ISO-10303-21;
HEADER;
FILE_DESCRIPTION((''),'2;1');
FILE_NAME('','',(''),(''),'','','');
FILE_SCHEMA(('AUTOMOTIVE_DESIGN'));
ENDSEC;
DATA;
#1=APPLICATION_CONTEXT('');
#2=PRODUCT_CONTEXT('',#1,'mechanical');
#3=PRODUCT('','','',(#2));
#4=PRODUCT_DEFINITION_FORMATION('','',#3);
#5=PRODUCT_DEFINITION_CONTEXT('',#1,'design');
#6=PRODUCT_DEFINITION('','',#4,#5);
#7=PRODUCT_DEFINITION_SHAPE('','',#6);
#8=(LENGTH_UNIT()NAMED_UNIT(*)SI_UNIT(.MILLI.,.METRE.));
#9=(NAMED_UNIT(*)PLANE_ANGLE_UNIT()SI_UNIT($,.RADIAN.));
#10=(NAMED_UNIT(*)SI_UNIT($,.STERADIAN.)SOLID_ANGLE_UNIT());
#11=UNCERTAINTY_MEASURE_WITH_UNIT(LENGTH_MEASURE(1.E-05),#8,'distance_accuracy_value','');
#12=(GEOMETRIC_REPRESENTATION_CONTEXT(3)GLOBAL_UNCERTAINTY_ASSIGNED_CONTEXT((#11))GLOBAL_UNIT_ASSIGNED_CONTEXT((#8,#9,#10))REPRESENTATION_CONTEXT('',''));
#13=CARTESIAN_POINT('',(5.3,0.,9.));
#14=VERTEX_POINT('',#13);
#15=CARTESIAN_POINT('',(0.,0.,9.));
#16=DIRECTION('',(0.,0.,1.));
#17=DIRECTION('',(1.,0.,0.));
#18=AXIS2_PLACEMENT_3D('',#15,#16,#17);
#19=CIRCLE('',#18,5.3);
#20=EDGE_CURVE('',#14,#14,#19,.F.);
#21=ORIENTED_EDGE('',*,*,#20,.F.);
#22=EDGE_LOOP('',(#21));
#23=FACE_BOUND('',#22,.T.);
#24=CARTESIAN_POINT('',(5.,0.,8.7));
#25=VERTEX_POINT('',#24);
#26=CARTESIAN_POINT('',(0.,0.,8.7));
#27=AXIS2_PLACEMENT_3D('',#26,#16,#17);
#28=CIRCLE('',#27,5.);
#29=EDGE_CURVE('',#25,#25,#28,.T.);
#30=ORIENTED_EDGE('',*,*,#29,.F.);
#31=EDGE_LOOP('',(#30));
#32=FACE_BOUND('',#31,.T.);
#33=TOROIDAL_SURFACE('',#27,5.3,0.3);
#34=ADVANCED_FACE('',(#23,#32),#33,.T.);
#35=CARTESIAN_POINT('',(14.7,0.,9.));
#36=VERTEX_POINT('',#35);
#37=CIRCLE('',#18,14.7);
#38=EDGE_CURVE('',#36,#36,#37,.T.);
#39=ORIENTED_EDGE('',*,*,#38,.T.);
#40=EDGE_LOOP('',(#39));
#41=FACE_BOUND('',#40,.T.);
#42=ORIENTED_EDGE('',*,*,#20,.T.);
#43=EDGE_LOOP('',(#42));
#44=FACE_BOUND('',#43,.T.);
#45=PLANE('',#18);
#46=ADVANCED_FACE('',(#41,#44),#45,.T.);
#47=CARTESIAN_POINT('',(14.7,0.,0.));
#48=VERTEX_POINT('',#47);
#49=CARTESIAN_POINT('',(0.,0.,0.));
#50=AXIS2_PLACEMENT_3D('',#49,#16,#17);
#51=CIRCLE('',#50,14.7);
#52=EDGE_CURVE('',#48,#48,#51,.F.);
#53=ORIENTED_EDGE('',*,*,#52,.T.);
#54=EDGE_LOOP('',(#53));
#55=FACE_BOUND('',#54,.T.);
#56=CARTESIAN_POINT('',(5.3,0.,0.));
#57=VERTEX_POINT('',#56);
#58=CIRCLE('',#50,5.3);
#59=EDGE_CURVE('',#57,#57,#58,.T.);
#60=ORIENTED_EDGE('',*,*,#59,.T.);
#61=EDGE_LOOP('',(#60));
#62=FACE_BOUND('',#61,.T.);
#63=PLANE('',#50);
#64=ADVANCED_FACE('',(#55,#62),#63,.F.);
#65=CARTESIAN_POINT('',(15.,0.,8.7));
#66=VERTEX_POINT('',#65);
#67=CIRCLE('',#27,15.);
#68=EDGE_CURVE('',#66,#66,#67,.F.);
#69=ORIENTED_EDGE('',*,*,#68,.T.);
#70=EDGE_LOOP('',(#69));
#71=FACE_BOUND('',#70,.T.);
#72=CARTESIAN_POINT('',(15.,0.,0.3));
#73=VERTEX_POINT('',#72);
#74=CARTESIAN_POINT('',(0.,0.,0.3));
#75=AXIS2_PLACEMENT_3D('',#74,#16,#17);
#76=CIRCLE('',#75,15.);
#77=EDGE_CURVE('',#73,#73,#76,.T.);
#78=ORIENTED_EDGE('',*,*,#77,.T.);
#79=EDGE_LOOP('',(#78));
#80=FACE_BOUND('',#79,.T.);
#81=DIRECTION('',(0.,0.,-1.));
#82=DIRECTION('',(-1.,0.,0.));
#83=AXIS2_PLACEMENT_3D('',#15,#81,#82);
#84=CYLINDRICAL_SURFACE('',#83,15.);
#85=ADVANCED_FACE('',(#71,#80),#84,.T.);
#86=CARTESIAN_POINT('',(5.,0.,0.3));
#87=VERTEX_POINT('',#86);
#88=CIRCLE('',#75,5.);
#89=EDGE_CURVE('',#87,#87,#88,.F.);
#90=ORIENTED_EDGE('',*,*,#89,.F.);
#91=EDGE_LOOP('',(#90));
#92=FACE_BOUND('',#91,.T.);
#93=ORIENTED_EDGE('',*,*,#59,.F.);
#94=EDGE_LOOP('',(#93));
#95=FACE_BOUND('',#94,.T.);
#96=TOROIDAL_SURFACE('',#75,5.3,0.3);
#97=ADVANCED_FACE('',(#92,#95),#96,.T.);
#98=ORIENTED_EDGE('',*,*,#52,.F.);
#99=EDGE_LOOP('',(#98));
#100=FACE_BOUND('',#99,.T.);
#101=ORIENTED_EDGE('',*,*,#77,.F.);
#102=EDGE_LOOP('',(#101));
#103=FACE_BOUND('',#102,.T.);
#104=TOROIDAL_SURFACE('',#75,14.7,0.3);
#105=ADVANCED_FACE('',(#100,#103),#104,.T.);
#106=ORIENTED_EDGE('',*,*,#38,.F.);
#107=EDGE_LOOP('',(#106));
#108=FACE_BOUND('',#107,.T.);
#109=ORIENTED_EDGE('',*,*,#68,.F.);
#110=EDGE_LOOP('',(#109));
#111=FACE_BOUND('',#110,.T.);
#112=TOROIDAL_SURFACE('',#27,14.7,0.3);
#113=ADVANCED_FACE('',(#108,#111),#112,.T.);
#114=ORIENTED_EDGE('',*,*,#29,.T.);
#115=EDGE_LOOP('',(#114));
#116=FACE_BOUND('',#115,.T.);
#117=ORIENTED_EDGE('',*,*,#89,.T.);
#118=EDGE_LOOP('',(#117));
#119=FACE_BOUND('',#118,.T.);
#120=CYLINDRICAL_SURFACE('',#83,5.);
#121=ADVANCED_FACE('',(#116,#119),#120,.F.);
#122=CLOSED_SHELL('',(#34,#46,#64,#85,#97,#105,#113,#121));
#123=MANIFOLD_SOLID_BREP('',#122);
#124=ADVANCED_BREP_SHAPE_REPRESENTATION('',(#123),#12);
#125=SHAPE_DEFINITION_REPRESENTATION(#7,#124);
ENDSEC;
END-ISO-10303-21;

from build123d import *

# Parameters (mm, degrees)
SKETCH_1_R      = 15
SKETCH_1_R_2    = 5
EXTRUDE_1_DEPTH = 9
FILLET_1_R      = 0.3


with BuildPart() as part:
    # 草圖1 → 伸長1 (new body)
    with BuildSketch(Plane.XY):
        Circle(SKETCH_1_R)
        Circle(SKETCH_1_R_2, mode=Mode.SUBTRACT)
    extrude(amount=EXTRUDE_1_DEPTH)

    # 圓角1
    fillet_1_edges = [part.edges().sort_by_distance(p)[0] for p in [
        (-15, 0, 0),
        (-15, 0, 9),
        (-5, 0, 0),
        (-5, 0, 9),
    ]]
    fillet(fillet_1_edges, radius=FILLET_1_R)


solid = part.part
